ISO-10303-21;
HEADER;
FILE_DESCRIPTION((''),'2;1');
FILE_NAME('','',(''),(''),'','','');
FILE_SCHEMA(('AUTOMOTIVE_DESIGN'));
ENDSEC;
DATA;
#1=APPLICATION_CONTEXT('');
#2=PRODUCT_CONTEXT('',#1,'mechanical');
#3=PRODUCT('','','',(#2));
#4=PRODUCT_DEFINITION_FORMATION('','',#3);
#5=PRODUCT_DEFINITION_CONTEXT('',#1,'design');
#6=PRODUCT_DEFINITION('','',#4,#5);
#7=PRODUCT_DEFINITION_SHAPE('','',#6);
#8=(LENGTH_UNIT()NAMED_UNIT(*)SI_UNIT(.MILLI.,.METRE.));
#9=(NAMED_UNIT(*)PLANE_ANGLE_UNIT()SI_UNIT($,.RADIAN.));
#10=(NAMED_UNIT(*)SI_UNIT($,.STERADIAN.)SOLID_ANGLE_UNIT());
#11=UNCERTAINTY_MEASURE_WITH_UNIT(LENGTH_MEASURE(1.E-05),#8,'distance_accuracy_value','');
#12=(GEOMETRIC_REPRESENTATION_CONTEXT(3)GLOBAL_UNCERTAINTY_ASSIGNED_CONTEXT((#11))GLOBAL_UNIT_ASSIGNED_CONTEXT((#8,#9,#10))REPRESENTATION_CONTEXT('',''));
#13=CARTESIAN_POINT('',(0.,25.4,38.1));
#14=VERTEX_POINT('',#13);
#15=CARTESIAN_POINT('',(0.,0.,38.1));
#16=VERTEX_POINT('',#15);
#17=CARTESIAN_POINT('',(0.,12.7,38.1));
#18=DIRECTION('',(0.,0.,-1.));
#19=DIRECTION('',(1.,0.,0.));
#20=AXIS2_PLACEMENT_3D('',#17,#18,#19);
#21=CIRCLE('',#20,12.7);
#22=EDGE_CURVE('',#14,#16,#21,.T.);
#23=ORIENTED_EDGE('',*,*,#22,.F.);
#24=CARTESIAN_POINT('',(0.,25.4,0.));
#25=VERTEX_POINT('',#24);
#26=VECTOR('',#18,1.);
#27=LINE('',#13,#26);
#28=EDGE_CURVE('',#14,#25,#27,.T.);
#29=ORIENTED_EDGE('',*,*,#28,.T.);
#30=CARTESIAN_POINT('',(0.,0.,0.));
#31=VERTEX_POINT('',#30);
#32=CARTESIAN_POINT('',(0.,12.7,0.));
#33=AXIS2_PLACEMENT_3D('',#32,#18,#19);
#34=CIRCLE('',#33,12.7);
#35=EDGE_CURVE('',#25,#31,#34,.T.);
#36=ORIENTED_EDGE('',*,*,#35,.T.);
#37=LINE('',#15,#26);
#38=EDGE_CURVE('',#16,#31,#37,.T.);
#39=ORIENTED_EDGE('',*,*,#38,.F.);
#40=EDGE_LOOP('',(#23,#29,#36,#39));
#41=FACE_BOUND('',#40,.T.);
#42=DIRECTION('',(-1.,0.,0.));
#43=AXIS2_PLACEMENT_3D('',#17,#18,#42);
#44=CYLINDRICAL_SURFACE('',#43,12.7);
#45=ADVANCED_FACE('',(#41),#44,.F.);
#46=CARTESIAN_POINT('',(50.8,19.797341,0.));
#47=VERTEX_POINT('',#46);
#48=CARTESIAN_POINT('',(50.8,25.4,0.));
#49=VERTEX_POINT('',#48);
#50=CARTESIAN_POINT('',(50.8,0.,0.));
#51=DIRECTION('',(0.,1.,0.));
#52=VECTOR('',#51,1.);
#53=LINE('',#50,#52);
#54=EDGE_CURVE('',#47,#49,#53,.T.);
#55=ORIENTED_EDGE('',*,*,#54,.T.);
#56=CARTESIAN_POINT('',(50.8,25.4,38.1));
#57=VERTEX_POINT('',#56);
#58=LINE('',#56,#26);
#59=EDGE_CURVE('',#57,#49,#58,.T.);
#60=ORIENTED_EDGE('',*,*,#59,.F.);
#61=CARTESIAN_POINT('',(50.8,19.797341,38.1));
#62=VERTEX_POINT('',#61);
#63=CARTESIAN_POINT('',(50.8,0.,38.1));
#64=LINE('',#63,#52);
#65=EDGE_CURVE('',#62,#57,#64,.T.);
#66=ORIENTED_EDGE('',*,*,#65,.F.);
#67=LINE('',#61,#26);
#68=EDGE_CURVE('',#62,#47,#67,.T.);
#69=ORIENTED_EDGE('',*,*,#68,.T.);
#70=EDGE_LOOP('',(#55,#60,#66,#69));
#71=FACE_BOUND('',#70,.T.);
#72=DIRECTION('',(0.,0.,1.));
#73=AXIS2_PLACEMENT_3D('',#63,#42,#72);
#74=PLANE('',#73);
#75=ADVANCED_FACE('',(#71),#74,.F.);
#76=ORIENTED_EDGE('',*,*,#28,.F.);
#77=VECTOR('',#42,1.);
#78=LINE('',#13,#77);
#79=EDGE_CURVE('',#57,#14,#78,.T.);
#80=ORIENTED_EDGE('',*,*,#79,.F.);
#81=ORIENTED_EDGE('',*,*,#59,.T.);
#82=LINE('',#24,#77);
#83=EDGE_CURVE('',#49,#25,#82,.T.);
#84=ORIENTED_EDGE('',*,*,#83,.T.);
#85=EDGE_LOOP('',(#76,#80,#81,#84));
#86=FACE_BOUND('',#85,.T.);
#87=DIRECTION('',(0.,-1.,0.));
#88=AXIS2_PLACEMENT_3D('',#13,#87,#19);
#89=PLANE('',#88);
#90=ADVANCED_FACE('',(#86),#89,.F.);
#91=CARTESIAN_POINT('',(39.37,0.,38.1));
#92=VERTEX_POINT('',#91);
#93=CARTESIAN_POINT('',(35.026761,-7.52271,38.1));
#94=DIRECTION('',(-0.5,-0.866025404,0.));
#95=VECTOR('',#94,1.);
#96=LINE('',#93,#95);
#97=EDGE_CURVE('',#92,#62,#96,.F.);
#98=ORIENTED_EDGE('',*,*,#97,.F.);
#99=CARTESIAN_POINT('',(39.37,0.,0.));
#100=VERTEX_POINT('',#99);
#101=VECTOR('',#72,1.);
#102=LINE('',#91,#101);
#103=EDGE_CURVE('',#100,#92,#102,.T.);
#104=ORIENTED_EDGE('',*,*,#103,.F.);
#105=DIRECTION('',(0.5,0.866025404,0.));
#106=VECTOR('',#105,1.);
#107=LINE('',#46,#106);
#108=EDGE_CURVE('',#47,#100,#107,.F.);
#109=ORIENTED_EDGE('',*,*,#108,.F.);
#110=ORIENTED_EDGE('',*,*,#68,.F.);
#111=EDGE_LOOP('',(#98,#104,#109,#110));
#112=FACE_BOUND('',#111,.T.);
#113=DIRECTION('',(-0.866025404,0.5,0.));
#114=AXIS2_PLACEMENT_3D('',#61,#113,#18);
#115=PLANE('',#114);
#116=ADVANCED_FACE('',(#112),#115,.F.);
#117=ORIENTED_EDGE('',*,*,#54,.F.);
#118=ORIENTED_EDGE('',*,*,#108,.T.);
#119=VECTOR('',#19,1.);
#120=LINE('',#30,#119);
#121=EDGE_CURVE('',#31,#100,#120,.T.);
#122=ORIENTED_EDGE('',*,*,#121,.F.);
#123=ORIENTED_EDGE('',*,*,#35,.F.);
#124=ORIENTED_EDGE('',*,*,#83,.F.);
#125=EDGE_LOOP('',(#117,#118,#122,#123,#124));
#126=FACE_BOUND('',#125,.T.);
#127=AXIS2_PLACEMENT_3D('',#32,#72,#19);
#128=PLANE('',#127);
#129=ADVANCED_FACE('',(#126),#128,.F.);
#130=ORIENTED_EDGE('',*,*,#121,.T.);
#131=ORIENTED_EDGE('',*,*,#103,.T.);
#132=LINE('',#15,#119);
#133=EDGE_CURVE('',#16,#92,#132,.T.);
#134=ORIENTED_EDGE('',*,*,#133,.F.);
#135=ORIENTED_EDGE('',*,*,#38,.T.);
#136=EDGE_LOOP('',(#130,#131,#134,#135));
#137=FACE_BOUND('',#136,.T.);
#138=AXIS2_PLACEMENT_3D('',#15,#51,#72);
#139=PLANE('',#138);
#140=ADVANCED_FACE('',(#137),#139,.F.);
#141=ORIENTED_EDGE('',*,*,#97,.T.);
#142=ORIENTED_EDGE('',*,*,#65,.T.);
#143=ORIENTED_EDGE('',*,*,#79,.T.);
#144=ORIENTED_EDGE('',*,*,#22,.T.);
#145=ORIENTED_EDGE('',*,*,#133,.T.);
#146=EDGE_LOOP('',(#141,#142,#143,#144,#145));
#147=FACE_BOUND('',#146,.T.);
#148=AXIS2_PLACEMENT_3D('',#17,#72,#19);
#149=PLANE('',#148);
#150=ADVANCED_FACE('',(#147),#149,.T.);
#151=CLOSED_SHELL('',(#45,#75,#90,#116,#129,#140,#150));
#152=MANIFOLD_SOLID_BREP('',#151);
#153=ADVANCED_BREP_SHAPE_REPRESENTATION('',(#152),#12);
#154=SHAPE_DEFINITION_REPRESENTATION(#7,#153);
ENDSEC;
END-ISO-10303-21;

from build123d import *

# Parameters (mm, degrees)
BOSS_EXTRUDE1_DEPTH = 38.1
CHAMFER1_SIZE       = 11.43
CHAMFER1_SIZE2      = 19.797340731


with BuildPart() as part:
    # Sketch1 → Boss-Extrude1 (new body)
    with BuildSketch(Plane.XY):
        with BuildLine():
            Line((0, 0), (50.8, 0))
            Line((50.8, 0), (50.8, 25.4))
            Line((50.8, 25.4), (0, 25.4))
            ThreePointArc((0, 25.4), (12.7, 12.7), (0, 0))
        make_face()
    extrude(amount=BOSS_EXTRUDE1_DEPTH)

    # Chamfer1
    chamfer1_edges = [part.edges().sort_by_distance(p)[0] for p in [
        (50.8, 0, 19.05),
    ]]
    chamfer1_side = [part.faces().sort_by_distance(p)[0] for p in [
        (25.4, 0, 19.05),
    ]]
    chamfer(chamfer1_edges, length=CHAMFER1_SIZE, length2=CHAMFER1_SIZE2, reference=chamfer1_side[0])


solid = part.part
